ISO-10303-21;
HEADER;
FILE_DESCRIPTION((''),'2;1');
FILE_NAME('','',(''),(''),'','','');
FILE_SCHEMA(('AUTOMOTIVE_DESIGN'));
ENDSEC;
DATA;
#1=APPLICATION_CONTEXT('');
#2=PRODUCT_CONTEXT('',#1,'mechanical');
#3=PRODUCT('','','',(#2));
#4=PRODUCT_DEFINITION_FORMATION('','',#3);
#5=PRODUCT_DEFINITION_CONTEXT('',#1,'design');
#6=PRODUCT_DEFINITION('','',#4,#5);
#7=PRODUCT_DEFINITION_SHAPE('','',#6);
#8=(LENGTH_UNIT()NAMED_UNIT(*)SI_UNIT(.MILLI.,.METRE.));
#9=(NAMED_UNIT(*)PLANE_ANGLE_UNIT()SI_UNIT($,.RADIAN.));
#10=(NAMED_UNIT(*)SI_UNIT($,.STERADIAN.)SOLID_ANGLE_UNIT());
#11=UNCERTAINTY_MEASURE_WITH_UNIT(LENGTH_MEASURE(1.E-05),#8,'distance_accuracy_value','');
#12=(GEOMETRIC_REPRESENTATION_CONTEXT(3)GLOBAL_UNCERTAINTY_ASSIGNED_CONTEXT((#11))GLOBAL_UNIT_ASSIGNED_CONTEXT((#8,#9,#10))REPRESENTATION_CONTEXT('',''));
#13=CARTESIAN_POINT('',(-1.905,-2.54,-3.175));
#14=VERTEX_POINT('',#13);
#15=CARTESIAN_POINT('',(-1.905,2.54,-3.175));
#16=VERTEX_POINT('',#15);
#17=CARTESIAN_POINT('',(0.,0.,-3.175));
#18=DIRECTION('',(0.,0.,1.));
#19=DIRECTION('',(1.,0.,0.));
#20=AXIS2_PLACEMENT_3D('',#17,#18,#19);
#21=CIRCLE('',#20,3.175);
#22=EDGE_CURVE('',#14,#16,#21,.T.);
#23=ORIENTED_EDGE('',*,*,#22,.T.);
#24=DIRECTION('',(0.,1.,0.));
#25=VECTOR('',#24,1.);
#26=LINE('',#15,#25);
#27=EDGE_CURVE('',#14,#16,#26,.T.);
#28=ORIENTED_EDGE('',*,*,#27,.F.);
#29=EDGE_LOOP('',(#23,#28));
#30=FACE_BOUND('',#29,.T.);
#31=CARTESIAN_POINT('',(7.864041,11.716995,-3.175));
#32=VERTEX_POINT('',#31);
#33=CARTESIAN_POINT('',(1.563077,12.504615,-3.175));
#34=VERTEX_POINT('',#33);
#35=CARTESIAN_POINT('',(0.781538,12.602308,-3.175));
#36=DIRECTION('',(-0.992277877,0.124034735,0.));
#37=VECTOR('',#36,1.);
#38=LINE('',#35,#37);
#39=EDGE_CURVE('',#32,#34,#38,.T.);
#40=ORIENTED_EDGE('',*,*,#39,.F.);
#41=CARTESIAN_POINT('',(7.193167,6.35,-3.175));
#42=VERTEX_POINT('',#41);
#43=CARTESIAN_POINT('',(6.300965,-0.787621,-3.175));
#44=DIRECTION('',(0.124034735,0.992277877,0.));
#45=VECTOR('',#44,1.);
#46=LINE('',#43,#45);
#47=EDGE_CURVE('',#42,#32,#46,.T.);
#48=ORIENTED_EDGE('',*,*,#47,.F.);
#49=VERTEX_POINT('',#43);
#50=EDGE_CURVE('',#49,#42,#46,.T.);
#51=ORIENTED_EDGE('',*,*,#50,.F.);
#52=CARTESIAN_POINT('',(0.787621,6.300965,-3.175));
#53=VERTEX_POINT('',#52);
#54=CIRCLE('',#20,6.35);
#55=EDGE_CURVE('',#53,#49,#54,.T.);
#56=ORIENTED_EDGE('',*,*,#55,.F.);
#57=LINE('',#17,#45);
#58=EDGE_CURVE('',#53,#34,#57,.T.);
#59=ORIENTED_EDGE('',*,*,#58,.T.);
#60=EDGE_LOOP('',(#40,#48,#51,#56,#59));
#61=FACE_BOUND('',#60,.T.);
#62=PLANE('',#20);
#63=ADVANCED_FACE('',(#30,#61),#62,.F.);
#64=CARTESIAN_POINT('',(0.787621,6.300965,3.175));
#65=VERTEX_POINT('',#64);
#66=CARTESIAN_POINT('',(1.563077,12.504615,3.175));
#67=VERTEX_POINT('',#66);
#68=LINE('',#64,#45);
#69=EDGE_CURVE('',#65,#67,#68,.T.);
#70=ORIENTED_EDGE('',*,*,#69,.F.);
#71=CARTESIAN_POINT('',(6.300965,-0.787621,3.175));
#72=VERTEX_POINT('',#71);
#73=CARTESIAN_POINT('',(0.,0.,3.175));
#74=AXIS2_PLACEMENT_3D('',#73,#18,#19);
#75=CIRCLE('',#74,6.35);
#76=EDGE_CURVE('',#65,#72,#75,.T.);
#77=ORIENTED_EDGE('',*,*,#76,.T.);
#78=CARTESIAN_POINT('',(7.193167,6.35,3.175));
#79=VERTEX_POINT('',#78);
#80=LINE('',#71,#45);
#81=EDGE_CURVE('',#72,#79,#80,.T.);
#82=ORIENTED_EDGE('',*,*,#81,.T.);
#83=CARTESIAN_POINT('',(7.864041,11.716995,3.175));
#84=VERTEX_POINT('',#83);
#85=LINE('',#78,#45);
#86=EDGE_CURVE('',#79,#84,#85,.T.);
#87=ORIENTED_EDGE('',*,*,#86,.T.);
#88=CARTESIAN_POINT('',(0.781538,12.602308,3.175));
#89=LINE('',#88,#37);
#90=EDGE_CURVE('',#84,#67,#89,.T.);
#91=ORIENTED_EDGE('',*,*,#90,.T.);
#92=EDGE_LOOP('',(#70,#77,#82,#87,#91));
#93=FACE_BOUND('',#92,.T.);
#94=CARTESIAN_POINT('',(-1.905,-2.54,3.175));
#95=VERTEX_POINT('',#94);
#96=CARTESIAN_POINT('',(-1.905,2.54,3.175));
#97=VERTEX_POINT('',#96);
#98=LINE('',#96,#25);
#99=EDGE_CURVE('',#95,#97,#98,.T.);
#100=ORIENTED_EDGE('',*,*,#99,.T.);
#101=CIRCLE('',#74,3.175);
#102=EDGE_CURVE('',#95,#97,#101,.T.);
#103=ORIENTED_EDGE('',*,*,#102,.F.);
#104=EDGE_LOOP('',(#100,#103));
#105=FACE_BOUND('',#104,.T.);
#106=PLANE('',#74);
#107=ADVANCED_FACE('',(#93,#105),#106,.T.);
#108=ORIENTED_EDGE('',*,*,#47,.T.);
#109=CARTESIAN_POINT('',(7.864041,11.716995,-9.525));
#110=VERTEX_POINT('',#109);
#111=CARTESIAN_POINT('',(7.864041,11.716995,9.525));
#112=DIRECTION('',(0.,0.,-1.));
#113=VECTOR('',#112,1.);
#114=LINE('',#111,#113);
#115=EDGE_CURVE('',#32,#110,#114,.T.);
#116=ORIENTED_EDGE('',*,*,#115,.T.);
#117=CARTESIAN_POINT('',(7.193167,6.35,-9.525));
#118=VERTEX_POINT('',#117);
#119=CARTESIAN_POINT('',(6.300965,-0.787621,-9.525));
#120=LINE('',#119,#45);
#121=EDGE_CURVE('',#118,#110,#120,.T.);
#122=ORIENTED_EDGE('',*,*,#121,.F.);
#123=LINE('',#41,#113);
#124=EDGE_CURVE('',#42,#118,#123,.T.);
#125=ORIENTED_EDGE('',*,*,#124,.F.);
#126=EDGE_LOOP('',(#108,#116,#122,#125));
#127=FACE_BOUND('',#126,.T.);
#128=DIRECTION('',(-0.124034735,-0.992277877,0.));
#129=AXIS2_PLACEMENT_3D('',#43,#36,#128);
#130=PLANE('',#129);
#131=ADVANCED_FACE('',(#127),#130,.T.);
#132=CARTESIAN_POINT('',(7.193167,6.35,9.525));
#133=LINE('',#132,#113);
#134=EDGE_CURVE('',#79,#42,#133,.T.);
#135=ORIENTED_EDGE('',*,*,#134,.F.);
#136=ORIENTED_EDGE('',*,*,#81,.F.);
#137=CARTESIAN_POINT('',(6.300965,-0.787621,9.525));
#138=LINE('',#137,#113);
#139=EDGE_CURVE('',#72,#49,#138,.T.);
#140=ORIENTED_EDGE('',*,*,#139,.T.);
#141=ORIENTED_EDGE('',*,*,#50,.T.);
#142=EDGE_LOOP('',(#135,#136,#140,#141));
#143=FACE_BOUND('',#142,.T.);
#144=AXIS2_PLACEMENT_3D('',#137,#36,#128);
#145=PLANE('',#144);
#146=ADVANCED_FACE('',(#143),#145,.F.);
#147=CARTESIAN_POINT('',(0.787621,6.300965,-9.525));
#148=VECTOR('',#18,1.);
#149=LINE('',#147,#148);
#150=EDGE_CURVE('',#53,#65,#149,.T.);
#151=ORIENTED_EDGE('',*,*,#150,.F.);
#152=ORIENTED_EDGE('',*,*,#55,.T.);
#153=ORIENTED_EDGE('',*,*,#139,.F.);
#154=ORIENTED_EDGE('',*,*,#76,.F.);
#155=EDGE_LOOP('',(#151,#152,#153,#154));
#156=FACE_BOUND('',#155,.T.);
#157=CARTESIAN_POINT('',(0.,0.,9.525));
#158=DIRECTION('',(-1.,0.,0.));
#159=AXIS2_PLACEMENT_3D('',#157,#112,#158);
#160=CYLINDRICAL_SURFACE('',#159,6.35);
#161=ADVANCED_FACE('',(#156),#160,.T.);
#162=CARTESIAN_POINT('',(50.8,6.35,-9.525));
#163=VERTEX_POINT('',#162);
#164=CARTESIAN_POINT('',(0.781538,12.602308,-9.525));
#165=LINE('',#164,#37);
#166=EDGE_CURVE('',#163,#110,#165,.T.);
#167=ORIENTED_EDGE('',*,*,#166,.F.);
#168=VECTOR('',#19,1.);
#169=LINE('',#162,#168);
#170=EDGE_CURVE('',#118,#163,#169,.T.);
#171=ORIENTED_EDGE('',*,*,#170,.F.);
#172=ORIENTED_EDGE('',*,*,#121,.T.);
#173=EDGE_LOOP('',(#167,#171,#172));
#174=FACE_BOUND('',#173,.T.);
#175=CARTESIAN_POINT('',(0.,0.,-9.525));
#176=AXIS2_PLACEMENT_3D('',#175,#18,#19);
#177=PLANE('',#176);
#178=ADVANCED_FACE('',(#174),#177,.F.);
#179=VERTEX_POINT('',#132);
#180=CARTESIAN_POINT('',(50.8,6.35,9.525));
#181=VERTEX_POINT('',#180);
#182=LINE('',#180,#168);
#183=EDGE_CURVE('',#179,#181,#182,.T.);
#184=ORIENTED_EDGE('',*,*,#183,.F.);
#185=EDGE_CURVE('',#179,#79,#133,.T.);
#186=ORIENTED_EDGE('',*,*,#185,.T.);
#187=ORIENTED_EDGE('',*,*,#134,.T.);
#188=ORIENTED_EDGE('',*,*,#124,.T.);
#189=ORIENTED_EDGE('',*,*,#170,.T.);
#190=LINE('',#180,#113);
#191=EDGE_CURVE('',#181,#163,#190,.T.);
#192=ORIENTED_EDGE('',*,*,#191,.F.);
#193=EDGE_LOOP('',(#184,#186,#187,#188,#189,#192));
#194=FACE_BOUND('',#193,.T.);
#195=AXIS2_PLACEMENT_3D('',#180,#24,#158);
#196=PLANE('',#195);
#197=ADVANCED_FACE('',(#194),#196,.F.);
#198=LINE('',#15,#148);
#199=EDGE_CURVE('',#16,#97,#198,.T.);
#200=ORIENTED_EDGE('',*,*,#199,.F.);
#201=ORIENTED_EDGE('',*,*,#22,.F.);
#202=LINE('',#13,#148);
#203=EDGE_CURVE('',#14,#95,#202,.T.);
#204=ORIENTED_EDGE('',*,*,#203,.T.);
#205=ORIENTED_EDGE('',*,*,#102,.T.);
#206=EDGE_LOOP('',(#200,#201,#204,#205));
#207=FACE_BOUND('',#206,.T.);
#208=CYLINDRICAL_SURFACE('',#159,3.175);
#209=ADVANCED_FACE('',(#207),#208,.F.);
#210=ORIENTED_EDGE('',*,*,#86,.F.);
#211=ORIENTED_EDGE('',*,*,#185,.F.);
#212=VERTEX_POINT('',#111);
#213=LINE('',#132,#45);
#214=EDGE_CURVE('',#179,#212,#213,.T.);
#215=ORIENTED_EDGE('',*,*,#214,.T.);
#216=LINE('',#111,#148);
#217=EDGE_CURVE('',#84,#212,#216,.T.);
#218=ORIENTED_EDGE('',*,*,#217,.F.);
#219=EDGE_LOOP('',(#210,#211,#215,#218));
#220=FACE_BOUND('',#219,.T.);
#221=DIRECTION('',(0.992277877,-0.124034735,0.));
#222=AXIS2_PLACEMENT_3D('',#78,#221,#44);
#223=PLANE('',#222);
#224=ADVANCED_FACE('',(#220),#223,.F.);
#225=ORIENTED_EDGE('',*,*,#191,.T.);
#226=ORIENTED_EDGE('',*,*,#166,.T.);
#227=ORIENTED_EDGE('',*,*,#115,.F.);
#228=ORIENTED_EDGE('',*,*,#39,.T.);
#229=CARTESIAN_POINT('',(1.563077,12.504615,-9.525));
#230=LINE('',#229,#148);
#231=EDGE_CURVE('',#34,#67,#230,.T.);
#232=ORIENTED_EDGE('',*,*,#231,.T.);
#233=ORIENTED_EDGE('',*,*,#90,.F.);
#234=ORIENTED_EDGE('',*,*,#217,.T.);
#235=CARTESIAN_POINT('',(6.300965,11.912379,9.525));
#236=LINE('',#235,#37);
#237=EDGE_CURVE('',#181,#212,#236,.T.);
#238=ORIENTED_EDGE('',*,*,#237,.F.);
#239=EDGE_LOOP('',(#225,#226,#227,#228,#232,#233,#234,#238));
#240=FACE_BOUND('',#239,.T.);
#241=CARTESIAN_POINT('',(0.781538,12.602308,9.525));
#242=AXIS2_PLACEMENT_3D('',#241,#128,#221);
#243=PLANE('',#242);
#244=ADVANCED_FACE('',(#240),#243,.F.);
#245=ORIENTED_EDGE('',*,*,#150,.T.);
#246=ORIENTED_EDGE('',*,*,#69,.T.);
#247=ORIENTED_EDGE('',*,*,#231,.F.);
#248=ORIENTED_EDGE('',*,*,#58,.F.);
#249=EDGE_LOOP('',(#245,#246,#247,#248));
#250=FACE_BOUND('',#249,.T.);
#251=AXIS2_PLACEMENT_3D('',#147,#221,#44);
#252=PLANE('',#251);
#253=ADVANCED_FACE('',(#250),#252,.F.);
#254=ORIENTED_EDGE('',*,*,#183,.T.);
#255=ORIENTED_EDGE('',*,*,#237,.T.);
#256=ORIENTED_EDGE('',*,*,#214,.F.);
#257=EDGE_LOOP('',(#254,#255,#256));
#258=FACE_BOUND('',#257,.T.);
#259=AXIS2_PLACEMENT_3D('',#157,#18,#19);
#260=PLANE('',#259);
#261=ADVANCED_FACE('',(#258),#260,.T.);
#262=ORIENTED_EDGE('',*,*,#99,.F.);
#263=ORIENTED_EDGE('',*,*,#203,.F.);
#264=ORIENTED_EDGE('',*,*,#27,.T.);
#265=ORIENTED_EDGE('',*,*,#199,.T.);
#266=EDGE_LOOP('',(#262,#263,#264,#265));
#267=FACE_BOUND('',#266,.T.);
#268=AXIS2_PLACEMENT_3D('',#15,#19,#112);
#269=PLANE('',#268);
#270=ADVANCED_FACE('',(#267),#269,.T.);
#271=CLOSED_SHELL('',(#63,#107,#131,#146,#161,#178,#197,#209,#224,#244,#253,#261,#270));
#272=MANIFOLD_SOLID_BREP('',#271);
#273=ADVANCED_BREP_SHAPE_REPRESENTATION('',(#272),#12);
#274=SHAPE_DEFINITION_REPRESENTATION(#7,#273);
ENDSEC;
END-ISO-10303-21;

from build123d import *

# Parameters (mm, degrees)
SKETCH1_R               = 3.175
BOSS_EXTRUDE1_DEPTH     = 9.525
CUT_EXTRUDE1_DEPTH      = 6.35
CUT_EXTRUDE2_START      = -19.05
CUT_EXTRUDE2_DEPTH      = 6.35
BOSS_EXTRUDE2_DEPTH     = 6.35
CUT_EXTRUDE5_DEPTH      = 54.858594107
CUT_EXTRUDE5_DEPTH_BACK = 54.858594107


with BuildPart() as part:
    # Sketch1 → Boss-Extrude1 (new, symmetric)
    with BuildSketch(Plane.XY):
        with BuildLine():
            Line((6.300964517, 11.912379435), (50.8, 6.35))
            Line((50.8, 6.35), (7.193167088, 6.35))
            Line((7.193167088, 6.35), (6.300964517, -0.787620565))
            ThreePointArc((6.300964517, -0.787620565), (4.202446277, -4.760456416), (0, -6.35))
            ThreePointArc((0, -6.35), (-4.760456416, -4.202446277), (-6.300964517, 0.787620565))
            ThreePointArc((-6.300964517, 0.787620565), (-4.202446277, 4.760456416), (0, 6.35))
            Line((0, 6.35), (0.781538462, 12.602307692))
            Line((0.781538462, 12.602307692), (6.300964517, 11.912379435))
        make_face()
        with Locations(Location((0, 0, 0), (0, 0, 180))):
            Circle(SKETCH1_R, mode=Mode.SUBTRACT)
    extrude(amount=BOSS_EXTRUDE1_DEPTH, both=True)

    # Sketch2 → Cut-Extrude1 (cut)
    with BuildSketch(Plane.XY.offset(9.525)):
        Polygon((7.193167088, 21.115513253), (-6.35, 21.115513253), (-6.35, 0.257727368), (-6.35, -6.35), (7.193167088, -6.35), (7.193167088, 6.35), (8.941363703, 20.335572925), align=None)
    extrude(amount=-CUT_EXTRUDE1_DEPTH, mode=Mode.SUBTRACT)

    # Sketch2<2> → Cut-Extrude2 (cut)
    with BuildSketch(Plane.XY.offset(9.525).offset(CUT_EXTRUDE2_START)):
        Polygon((7.193167088, 21.115513253), (-6.35, 21.115513253), (-6.35, 0.257727368), (-6.35, -6.35), (7.193167088, -6.35), (7.193167088, 6.35), (8.941363703, 20.335572925), align=None)
    extrude(amount=CUT_EXTRUDE2_DEPTH, mode=Mode.SUBTRACT)

    # Sketch3 → Boss-Extrude2 (add)
    with BuildSketch(Plane.XY.offset(3.175)):
        with BuildLine():
            Line((-1.905, 2.54), (-1.905, -2.54))
            ThreePointArc((-1.905, -2.54), (-3.175, 0), (-1.905, 2.54))
        make_face()
    extrude(amount=-BOSS_EXTRUDE2_DEPTH)

    # Sketch4 → Cut-Extrude5 (cut, two sides: drawn at the far end of the back side and taken through both)
    with BuildSketch(Plane.XY.offset(3.175).offset(-CUT_EXTRUDE5_DEPTH_BACK)):
        with BuildLine():
            Line((0.787620565, 6.300964517), (1.563076923, 12.504615385))
            Line((1.563076923, 12.504615385), (-1.51572631, 12.889465789))
            Line((-1.51572631, 12.889465789), (-2.391608705, 5.882406634))
            ThreePointArc((-2.391608705, 5.882406634), (-0.828849904, 6.29567374), (0.787620565, 6.300964517))
        make_face()
    extrude(amount=CUT_EXTRUDE5_DEPTH + CUT_EXTRUDE5_DEPTH_BACK, mode=Mode.SUBTRACT)


solid = part.part
